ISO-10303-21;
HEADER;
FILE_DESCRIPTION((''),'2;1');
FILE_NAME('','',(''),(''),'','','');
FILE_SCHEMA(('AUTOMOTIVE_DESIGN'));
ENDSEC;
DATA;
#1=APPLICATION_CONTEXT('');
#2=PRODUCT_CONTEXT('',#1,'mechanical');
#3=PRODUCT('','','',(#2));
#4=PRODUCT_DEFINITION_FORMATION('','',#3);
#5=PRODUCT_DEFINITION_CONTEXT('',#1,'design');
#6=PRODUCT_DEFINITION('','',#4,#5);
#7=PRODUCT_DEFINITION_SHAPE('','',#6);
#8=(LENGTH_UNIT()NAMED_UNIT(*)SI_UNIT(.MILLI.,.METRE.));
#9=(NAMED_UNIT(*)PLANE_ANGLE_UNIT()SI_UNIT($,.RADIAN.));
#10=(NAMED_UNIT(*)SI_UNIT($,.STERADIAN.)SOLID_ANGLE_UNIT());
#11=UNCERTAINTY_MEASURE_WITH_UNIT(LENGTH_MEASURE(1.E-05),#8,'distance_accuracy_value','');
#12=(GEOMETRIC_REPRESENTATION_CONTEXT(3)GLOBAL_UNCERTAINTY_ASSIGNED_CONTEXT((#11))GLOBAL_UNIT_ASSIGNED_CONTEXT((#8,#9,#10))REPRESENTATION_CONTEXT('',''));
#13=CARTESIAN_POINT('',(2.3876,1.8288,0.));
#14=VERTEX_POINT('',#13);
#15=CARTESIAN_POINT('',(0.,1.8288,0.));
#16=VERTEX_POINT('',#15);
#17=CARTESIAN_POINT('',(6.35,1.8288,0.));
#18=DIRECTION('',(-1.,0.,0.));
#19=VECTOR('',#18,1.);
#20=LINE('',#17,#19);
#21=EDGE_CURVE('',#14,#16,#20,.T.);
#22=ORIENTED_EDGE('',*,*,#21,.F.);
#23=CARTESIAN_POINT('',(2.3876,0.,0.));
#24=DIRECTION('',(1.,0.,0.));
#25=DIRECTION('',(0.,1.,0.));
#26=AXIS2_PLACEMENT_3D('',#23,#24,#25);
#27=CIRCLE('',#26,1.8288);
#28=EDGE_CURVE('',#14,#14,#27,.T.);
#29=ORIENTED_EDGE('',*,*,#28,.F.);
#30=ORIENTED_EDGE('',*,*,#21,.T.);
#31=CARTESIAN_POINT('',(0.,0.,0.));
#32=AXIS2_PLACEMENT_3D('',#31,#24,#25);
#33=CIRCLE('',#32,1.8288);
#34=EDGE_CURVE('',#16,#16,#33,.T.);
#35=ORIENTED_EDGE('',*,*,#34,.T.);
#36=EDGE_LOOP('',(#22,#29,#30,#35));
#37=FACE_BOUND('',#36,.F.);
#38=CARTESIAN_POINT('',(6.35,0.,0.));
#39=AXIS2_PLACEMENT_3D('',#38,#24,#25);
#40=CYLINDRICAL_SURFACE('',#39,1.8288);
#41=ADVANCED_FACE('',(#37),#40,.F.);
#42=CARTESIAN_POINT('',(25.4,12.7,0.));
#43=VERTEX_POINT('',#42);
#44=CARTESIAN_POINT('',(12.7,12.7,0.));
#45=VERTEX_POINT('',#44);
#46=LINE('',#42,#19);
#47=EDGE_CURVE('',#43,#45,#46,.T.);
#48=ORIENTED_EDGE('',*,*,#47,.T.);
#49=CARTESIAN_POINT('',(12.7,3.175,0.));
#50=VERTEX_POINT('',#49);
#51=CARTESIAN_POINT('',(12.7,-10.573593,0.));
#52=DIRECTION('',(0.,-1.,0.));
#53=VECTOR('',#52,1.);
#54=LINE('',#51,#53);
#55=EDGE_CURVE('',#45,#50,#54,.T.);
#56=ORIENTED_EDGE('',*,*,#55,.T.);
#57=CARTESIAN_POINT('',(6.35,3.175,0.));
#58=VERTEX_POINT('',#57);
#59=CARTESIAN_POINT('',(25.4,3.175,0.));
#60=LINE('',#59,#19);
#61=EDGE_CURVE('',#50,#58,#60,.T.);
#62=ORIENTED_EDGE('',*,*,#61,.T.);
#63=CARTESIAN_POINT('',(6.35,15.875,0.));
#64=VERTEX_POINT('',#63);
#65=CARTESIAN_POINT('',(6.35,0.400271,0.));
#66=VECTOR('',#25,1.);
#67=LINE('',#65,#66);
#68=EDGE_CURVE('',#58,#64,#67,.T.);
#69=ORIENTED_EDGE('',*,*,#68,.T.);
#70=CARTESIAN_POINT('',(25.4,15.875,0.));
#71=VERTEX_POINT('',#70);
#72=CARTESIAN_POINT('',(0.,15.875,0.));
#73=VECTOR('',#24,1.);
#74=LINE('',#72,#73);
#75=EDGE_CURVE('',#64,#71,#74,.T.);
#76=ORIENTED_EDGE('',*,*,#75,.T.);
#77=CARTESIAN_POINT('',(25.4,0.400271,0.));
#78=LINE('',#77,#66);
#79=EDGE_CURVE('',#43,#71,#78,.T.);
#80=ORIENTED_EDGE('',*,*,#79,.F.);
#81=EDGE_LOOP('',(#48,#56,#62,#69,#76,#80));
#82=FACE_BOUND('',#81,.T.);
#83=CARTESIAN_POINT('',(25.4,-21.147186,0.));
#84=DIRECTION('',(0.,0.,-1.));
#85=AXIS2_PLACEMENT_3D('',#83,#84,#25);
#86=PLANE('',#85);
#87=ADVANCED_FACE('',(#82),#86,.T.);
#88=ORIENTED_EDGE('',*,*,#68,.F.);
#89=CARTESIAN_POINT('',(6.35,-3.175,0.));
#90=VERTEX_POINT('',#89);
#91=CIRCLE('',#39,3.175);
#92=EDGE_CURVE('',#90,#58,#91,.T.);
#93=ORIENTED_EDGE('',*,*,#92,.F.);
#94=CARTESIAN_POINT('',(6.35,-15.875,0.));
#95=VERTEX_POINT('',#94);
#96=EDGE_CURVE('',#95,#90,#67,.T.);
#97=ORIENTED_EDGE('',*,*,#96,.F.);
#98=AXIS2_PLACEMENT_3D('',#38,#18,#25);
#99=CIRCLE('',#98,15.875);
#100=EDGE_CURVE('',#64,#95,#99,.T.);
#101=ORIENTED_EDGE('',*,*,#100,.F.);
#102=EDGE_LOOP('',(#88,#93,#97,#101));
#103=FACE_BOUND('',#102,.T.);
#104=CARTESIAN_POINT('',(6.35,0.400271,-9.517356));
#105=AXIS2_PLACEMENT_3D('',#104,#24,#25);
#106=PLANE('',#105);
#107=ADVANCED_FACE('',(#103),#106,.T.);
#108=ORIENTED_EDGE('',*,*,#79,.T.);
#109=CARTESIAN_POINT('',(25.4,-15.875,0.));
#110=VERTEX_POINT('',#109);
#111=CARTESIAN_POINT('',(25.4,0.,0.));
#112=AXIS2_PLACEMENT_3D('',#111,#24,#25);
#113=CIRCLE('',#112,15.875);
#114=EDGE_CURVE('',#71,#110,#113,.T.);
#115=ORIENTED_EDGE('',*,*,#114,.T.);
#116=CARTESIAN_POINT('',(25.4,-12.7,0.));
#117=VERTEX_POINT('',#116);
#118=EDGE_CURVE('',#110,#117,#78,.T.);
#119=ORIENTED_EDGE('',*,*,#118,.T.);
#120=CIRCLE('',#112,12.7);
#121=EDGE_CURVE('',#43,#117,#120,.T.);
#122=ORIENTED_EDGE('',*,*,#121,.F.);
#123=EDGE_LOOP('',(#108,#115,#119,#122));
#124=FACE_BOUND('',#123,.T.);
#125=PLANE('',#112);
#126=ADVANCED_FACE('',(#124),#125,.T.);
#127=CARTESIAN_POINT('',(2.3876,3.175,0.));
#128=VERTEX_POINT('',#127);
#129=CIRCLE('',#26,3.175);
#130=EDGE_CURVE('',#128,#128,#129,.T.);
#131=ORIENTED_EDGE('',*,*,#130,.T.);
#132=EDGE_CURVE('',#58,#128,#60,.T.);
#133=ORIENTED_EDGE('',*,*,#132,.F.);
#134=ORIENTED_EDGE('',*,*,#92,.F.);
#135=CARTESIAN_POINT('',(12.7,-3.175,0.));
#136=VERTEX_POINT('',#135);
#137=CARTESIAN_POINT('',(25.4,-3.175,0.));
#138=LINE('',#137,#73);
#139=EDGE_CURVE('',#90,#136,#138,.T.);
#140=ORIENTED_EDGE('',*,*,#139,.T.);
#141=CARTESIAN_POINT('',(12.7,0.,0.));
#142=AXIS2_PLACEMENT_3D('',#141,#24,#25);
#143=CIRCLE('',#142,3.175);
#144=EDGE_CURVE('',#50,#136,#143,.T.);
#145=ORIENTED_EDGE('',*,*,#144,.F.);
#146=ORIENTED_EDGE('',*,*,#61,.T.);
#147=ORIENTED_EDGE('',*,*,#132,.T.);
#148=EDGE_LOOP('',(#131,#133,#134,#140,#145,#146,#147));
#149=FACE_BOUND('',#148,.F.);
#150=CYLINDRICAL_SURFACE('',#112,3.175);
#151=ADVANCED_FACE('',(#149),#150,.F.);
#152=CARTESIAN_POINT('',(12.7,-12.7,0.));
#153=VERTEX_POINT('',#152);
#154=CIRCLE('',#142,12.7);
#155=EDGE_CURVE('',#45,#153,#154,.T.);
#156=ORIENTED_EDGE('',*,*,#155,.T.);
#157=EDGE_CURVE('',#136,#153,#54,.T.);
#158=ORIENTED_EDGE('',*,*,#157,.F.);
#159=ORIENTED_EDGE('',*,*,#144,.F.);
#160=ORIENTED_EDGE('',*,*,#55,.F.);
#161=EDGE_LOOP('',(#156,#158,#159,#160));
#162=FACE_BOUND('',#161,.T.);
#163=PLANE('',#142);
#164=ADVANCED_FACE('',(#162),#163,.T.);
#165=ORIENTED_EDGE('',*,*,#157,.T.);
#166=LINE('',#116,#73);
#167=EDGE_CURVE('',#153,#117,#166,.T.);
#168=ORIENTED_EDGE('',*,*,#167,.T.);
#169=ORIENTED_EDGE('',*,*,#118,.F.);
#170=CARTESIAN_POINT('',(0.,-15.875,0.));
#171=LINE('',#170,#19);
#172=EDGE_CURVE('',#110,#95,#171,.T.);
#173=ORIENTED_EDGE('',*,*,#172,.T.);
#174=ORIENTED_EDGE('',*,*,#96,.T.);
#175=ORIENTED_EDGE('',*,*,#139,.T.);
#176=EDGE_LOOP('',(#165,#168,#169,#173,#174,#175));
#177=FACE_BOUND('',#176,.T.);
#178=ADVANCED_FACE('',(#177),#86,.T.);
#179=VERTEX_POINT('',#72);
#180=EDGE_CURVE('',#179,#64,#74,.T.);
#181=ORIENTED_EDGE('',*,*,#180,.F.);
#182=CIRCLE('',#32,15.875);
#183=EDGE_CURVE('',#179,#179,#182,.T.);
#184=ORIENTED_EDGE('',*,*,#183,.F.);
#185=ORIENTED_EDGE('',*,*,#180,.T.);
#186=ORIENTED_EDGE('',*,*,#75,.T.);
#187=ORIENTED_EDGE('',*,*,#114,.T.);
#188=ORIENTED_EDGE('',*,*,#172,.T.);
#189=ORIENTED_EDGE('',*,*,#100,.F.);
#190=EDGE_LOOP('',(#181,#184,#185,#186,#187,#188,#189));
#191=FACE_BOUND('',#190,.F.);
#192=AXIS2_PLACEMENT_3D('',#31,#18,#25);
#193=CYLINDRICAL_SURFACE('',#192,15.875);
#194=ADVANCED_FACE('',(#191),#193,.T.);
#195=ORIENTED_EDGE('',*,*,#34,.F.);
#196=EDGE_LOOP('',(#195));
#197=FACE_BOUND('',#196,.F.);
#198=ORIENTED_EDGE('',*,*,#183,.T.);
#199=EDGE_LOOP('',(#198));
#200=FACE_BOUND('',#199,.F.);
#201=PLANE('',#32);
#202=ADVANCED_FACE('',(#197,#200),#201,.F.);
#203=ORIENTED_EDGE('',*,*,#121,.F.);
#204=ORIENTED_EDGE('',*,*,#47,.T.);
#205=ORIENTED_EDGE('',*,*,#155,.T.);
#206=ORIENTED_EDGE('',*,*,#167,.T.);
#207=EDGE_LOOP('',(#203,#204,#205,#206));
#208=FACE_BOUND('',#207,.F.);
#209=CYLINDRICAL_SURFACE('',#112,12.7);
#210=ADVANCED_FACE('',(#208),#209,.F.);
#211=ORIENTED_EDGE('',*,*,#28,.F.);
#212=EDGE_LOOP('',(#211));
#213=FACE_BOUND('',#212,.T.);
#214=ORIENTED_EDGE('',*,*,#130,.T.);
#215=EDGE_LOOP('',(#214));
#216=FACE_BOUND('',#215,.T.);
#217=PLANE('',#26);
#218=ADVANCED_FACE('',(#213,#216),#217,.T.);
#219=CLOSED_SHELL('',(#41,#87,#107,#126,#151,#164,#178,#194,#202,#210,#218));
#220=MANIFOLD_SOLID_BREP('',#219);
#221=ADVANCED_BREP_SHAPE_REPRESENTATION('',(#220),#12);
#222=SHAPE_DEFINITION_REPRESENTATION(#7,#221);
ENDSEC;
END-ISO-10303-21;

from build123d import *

# Parameters (mm, degrees)
F0_R     = 15.875
F1_DEPTH = 25.4
F2_W     = 43.094914
F2_H     = 19.034712
F3_DEPTH = 19.05
F4_R     = 1.8288
F5_DEPTH = 6.351
F6_R     = 12.7
F7_DEPTH = 12.7
F8_R     = 3.175
F9_DEPTH = 23.0124


with BuildPart() as f1:
    # F0 (on Right) → F1 (new body)
    with BuildSketch(Plane.YZ):
        Circle(F0_R)
    extrude(amount=F1_DEPTH)

    # F2 (on face) → F3 (cut)
    with BuildSketch(Plane.YZ.offset(25.4)):
        with Locations((0.400271, -9.517356)):
            Rectangle(F2_W, F2_H)
    extrude(amount=-F3_DEPTH, mode=Mode.SUBTRACT)

    # F4 (on face) → F5 (cut, through all)
    with BuildSketch(Plane.YZ.offset(6.35)):
        Circle(F4_R)
    extrude(amount=-F5_DEPTH, mode=Mode.SUBTRACT)

    # F6 (on face) → F7 (cut)
    with BuildSketch(Plane.YZ.offset(25.4)):
        Circle(F6_R)
    extrude(amount=-F7_DEPTH, mode=Mode.SUBTRACT)

    # F8 (on face) → F9 (cut)
    with BuildSketch(Plane.YZ.offset(25.4)):
        Circle(F8_R)
    extrude(amount=-F9_DEPTH, mode=Mode.SUBTRACT)


solid = f1.part
